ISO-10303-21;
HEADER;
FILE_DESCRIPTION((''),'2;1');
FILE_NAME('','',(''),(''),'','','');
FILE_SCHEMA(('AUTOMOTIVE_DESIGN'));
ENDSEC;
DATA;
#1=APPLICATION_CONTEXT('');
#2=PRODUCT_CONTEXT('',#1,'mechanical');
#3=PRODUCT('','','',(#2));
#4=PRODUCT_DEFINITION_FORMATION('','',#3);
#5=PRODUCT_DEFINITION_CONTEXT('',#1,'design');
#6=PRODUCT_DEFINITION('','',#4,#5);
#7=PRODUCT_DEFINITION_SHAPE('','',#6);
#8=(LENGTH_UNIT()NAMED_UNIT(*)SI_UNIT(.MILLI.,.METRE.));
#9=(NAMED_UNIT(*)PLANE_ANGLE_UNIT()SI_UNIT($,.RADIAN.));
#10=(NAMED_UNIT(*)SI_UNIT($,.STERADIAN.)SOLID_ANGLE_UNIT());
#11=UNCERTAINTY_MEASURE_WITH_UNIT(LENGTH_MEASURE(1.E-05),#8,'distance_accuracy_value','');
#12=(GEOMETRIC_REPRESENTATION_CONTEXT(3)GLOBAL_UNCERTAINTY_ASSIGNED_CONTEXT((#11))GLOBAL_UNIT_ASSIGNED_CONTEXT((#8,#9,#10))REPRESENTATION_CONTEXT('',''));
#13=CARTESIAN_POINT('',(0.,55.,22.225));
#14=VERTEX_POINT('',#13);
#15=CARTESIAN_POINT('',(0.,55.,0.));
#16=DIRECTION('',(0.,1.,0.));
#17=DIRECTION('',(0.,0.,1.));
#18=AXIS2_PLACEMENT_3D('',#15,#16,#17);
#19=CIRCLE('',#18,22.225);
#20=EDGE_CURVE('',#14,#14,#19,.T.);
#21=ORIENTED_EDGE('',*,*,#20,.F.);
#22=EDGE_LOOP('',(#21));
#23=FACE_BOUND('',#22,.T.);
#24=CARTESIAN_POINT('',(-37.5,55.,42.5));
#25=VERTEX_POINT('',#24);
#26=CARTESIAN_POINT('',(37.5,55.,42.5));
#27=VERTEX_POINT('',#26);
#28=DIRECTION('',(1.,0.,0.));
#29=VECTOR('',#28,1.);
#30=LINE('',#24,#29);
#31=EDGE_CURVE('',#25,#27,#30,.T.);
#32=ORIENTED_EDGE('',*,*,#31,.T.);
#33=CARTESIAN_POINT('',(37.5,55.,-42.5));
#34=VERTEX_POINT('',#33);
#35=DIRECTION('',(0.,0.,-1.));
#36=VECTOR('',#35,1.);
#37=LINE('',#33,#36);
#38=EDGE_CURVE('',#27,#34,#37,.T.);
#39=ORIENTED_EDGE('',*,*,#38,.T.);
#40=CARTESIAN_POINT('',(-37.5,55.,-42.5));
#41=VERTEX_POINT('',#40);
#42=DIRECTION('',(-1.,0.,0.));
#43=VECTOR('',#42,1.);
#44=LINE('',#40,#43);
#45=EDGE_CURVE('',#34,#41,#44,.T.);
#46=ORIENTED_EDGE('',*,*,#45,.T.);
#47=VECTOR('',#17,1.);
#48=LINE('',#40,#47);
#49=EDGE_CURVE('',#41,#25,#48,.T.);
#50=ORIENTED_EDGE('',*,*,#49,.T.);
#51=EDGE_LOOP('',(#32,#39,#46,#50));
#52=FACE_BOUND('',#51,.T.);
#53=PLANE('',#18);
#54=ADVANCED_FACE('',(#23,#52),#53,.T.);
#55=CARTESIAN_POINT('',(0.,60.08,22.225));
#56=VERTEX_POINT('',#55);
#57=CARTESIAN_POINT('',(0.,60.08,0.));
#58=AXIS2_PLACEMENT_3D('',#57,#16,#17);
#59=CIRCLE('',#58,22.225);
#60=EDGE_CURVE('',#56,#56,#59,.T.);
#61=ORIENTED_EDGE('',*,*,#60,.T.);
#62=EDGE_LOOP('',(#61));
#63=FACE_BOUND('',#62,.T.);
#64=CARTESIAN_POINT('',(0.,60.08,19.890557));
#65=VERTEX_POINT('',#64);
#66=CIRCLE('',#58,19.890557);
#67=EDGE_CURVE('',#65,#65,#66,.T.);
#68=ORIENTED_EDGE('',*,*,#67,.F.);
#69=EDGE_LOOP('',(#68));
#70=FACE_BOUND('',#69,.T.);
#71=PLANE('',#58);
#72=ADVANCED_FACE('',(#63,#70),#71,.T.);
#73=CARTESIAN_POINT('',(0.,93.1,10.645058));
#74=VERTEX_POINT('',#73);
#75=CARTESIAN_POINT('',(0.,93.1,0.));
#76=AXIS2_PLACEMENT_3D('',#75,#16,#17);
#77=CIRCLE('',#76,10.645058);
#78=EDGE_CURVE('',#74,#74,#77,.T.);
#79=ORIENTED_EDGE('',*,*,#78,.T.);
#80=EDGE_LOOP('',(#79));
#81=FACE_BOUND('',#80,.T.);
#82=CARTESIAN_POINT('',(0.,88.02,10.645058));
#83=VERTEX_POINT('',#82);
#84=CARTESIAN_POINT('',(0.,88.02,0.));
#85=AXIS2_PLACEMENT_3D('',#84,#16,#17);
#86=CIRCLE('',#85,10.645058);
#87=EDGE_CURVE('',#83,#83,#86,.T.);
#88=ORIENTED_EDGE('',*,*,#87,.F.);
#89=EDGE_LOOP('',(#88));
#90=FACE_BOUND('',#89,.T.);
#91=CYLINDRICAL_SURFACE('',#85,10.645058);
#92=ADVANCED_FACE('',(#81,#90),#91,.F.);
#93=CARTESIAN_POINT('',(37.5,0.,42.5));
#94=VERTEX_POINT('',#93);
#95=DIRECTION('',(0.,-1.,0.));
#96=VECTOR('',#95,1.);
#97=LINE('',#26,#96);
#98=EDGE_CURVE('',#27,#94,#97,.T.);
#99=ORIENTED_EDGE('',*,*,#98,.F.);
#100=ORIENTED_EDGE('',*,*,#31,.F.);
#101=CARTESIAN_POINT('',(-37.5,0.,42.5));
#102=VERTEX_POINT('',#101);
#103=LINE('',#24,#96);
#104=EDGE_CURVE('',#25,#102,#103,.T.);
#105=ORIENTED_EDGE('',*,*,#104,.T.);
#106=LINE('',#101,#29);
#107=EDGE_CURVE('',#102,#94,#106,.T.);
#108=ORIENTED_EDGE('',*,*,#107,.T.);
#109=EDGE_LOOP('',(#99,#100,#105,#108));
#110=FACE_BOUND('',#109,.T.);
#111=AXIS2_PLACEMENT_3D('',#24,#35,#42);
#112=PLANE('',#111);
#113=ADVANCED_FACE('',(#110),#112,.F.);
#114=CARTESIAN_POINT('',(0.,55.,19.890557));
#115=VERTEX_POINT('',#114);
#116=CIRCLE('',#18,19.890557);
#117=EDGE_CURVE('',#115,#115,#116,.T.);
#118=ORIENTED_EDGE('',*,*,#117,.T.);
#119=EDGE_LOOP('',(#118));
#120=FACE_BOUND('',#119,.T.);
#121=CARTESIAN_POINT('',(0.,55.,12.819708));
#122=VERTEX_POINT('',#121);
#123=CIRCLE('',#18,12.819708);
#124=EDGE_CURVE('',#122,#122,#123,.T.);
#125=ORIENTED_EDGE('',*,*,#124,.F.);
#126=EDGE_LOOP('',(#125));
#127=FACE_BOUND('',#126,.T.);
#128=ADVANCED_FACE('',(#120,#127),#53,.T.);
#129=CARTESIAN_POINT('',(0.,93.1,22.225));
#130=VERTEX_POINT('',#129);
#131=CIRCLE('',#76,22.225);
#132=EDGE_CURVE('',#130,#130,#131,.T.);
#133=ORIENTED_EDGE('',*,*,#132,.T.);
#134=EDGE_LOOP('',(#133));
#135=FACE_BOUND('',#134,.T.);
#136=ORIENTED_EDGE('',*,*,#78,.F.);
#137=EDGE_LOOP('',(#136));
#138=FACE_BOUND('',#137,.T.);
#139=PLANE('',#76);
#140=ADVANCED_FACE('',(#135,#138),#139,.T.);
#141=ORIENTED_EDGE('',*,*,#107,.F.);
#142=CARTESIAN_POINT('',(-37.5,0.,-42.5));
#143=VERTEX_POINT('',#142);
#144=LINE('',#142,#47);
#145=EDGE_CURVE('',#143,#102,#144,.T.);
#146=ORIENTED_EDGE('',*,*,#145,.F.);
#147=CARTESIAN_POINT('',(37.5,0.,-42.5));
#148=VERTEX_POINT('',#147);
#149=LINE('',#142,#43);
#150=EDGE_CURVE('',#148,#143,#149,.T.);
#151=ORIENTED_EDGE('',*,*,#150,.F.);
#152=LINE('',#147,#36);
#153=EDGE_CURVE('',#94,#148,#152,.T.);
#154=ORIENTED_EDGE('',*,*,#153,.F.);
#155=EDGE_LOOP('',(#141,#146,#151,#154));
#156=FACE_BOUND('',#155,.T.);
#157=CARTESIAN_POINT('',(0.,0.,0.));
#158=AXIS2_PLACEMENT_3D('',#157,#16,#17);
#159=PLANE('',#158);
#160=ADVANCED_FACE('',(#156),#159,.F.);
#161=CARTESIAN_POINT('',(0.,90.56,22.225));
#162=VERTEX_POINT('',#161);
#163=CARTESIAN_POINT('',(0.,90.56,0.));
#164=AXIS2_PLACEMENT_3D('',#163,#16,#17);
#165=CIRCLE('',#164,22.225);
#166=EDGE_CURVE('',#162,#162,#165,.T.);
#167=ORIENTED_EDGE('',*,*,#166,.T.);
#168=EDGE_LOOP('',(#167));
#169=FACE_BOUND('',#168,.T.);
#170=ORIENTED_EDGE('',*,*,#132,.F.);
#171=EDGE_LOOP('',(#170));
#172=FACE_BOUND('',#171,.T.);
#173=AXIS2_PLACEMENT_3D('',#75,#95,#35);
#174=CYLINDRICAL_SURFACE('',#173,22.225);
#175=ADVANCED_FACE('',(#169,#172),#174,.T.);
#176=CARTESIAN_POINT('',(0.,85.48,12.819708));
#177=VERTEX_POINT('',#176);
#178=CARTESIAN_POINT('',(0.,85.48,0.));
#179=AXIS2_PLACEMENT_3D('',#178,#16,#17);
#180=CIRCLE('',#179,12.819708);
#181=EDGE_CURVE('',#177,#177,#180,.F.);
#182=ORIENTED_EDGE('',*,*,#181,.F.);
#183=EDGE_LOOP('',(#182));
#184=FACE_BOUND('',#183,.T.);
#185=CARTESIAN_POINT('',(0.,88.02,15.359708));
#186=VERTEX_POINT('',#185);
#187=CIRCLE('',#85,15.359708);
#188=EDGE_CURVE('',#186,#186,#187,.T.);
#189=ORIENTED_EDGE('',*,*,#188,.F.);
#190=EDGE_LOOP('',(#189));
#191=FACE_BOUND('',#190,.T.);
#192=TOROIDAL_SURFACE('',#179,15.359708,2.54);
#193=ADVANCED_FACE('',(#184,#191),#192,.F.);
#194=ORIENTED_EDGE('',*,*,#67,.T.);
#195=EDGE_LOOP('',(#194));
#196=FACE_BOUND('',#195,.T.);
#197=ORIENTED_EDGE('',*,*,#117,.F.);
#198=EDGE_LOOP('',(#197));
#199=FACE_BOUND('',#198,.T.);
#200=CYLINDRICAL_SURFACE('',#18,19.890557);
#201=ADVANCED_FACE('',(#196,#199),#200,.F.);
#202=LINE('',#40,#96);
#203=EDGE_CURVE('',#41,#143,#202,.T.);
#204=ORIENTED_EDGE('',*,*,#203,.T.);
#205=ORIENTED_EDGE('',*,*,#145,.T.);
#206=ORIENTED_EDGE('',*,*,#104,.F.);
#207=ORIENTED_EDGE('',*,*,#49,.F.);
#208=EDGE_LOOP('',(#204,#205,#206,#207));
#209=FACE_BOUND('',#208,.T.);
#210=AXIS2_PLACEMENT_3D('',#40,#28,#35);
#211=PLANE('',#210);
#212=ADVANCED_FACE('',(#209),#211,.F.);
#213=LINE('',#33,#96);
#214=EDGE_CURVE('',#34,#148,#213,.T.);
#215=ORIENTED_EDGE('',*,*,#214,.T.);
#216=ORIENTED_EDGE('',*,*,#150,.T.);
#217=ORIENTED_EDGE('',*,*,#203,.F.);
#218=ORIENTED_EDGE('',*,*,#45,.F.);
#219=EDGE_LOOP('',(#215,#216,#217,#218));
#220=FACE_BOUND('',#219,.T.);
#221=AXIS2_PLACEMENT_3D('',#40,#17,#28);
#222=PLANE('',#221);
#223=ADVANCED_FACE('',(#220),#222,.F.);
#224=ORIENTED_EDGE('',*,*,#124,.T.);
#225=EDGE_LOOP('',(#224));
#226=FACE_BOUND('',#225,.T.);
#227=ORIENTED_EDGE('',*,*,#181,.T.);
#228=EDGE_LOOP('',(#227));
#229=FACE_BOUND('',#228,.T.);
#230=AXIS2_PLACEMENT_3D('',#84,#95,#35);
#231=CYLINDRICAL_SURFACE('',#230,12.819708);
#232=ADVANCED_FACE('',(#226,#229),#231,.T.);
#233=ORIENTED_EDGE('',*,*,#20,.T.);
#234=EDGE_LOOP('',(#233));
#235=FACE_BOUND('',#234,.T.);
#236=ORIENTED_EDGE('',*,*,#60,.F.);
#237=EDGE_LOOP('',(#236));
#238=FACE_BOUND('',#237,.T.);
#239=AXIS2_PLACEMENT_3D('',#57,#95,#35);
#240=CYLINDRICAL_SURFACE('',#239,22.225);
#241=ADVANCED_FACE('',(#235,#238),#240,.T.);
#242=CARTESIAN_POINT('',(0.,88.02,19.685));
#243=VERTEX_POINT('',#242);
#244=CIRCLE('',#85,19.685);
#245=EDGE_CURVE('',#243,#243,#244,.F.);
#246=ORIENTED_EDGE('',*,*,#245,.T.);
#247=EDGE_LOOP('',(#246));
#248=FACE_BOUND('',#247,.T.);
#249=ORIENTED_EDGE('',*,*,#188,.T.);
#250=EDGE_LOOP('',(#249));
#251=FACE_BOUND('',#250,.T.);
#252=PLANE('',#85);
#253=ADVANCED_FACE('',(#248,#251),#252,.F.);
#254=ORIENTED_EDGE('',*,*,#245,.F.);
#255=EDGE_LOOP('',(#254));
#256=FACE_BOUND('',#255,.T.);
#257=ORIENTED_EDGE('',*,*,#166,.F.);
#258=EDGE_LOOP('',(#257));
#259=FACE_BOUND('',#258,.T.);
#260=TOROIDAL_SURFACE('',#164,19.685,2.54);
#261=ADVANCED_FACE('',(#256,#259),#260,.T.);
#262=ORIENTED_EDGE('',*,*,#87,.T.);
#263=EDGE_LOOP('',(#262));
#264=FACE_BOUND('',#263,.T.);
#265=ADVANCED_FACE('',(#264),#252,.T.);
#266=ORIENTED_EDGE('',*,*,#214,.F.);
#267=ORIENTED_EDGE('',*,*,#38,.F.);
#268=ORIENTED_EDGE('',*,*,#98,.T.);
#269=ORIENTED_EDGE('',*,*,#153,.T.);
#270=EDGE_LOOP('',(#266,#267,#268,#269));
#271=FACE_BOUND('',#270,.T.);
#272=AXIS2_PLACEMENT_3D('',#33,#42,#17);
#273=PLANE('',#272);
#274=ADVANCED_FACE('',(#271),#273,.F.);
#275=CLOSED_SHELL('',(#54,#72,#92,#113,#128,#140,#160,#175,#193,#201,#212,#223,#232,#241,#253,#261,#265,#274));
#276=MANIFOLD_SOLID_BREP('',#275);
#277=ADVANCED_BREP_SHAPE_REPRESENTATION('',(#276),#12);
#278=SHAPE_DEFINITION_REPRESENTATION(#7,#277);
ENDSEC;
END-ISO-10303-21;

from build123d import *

# Parameters (mm, degrees)
SKETCH1_W           = 75
SKETCH1_H           = 85
BOSS_EXTRUDE1_DEPTH = 55
SKETCH2_R           = 22.225
BOSS_EXTRUDE2_DEPTH = 5.08
SKETCH3_2_R         = 19.890557265
CUT_EXTRUDE1_DEPTH  = 5.08
SKETCH4_R           = 12.819708226
BOSS_EXTRUDE4_DEPTH = 33.02
SKETCH5_R           = 22.225
BOSS_EXTRUDE5_DEPTH = 5.08
FILLET1_R           = 2.54
SKETCH6_R           = 10.645057699
CUT_EXTRUDE2_DEPTH  = 5.08


with BuildPart() as part:
    # Sketch1 → Boss-Extrude1 (new body)
    with BuildSketch(Plane(origin=(0, 0, 0), x_dir=(1, 0, 0), z_dir=(0, 1, 0))):
        Rectangle(SKETCH1_W, SKETCH1_H)
    extrude(amount=BOSS_EXTRUDE1_DEPTH)

    # Sketch2 → Boss-Extrude2 (add)
    with BuildSketch(Plane(origin=(0, 55, 0), x_dir=(1, 0, 0), z_dir=(0, 1, 0))):
        Circle(SKETCH2_R)
    extrude(amount=BOSS_EXTRUDE2_DEPTH)

    # Sketch3<2> → Cut-Extrude1 (cut)
    with BuildSketch(Plane(origin=(0, 60.08, 0), x_dir=(1, 0, 0), z_dir=(0, 1, 0))):
        Circle(SKETCH3_2_R)
    extrude(amount=-CUT_EXTRUDE1_DEPTH, mode=Mode.SUBTRACT)

    # Sketch4 → Boss-Extrude4 (add)
    with BuildSketch(Plane(origin=(0, 55, 0), x_dir=(1, 0, 0), z_dir=(0, 1, 0))):
        Circle(SKETCH4_R)
    extrude(amount=BOSS_EXTRUDE4_DEPTH)

    # Sketch5 → Boss-Extrude5 (add)
    with BuildSketch(Plane(origin=(0, 88.02, 0), x_dir=(1, 0, 0), z_dir=(0, 1, 0))):
        Circle(SKETCH5_R)
    extrude(amount=BOSS_EXTRUDE5_DEPTH)

    # Fillet1
    fillet1_edges = [part.edges().sort_by_distance(p)[0] for p in [
        (-12.819708226, 88.02, 0),
        (-22.225, 88.02, 0),
    ]]
    fillet(fillet1_edges, radius=FILLET1_R)

    # Sketch6 → Cut-Extrude2 (cut)
    with BuildSketch(Plane(origin=(0, 93.1, 0), x_dir=(1, 0, 0), z_dir=(0, 1, 0))):
        Circle(SKETCH6_R)
    extrude(amount=-CUT_EXTRUDE2_DEPTH, mode=Mode.SUBTRACT)


solid = part.part
